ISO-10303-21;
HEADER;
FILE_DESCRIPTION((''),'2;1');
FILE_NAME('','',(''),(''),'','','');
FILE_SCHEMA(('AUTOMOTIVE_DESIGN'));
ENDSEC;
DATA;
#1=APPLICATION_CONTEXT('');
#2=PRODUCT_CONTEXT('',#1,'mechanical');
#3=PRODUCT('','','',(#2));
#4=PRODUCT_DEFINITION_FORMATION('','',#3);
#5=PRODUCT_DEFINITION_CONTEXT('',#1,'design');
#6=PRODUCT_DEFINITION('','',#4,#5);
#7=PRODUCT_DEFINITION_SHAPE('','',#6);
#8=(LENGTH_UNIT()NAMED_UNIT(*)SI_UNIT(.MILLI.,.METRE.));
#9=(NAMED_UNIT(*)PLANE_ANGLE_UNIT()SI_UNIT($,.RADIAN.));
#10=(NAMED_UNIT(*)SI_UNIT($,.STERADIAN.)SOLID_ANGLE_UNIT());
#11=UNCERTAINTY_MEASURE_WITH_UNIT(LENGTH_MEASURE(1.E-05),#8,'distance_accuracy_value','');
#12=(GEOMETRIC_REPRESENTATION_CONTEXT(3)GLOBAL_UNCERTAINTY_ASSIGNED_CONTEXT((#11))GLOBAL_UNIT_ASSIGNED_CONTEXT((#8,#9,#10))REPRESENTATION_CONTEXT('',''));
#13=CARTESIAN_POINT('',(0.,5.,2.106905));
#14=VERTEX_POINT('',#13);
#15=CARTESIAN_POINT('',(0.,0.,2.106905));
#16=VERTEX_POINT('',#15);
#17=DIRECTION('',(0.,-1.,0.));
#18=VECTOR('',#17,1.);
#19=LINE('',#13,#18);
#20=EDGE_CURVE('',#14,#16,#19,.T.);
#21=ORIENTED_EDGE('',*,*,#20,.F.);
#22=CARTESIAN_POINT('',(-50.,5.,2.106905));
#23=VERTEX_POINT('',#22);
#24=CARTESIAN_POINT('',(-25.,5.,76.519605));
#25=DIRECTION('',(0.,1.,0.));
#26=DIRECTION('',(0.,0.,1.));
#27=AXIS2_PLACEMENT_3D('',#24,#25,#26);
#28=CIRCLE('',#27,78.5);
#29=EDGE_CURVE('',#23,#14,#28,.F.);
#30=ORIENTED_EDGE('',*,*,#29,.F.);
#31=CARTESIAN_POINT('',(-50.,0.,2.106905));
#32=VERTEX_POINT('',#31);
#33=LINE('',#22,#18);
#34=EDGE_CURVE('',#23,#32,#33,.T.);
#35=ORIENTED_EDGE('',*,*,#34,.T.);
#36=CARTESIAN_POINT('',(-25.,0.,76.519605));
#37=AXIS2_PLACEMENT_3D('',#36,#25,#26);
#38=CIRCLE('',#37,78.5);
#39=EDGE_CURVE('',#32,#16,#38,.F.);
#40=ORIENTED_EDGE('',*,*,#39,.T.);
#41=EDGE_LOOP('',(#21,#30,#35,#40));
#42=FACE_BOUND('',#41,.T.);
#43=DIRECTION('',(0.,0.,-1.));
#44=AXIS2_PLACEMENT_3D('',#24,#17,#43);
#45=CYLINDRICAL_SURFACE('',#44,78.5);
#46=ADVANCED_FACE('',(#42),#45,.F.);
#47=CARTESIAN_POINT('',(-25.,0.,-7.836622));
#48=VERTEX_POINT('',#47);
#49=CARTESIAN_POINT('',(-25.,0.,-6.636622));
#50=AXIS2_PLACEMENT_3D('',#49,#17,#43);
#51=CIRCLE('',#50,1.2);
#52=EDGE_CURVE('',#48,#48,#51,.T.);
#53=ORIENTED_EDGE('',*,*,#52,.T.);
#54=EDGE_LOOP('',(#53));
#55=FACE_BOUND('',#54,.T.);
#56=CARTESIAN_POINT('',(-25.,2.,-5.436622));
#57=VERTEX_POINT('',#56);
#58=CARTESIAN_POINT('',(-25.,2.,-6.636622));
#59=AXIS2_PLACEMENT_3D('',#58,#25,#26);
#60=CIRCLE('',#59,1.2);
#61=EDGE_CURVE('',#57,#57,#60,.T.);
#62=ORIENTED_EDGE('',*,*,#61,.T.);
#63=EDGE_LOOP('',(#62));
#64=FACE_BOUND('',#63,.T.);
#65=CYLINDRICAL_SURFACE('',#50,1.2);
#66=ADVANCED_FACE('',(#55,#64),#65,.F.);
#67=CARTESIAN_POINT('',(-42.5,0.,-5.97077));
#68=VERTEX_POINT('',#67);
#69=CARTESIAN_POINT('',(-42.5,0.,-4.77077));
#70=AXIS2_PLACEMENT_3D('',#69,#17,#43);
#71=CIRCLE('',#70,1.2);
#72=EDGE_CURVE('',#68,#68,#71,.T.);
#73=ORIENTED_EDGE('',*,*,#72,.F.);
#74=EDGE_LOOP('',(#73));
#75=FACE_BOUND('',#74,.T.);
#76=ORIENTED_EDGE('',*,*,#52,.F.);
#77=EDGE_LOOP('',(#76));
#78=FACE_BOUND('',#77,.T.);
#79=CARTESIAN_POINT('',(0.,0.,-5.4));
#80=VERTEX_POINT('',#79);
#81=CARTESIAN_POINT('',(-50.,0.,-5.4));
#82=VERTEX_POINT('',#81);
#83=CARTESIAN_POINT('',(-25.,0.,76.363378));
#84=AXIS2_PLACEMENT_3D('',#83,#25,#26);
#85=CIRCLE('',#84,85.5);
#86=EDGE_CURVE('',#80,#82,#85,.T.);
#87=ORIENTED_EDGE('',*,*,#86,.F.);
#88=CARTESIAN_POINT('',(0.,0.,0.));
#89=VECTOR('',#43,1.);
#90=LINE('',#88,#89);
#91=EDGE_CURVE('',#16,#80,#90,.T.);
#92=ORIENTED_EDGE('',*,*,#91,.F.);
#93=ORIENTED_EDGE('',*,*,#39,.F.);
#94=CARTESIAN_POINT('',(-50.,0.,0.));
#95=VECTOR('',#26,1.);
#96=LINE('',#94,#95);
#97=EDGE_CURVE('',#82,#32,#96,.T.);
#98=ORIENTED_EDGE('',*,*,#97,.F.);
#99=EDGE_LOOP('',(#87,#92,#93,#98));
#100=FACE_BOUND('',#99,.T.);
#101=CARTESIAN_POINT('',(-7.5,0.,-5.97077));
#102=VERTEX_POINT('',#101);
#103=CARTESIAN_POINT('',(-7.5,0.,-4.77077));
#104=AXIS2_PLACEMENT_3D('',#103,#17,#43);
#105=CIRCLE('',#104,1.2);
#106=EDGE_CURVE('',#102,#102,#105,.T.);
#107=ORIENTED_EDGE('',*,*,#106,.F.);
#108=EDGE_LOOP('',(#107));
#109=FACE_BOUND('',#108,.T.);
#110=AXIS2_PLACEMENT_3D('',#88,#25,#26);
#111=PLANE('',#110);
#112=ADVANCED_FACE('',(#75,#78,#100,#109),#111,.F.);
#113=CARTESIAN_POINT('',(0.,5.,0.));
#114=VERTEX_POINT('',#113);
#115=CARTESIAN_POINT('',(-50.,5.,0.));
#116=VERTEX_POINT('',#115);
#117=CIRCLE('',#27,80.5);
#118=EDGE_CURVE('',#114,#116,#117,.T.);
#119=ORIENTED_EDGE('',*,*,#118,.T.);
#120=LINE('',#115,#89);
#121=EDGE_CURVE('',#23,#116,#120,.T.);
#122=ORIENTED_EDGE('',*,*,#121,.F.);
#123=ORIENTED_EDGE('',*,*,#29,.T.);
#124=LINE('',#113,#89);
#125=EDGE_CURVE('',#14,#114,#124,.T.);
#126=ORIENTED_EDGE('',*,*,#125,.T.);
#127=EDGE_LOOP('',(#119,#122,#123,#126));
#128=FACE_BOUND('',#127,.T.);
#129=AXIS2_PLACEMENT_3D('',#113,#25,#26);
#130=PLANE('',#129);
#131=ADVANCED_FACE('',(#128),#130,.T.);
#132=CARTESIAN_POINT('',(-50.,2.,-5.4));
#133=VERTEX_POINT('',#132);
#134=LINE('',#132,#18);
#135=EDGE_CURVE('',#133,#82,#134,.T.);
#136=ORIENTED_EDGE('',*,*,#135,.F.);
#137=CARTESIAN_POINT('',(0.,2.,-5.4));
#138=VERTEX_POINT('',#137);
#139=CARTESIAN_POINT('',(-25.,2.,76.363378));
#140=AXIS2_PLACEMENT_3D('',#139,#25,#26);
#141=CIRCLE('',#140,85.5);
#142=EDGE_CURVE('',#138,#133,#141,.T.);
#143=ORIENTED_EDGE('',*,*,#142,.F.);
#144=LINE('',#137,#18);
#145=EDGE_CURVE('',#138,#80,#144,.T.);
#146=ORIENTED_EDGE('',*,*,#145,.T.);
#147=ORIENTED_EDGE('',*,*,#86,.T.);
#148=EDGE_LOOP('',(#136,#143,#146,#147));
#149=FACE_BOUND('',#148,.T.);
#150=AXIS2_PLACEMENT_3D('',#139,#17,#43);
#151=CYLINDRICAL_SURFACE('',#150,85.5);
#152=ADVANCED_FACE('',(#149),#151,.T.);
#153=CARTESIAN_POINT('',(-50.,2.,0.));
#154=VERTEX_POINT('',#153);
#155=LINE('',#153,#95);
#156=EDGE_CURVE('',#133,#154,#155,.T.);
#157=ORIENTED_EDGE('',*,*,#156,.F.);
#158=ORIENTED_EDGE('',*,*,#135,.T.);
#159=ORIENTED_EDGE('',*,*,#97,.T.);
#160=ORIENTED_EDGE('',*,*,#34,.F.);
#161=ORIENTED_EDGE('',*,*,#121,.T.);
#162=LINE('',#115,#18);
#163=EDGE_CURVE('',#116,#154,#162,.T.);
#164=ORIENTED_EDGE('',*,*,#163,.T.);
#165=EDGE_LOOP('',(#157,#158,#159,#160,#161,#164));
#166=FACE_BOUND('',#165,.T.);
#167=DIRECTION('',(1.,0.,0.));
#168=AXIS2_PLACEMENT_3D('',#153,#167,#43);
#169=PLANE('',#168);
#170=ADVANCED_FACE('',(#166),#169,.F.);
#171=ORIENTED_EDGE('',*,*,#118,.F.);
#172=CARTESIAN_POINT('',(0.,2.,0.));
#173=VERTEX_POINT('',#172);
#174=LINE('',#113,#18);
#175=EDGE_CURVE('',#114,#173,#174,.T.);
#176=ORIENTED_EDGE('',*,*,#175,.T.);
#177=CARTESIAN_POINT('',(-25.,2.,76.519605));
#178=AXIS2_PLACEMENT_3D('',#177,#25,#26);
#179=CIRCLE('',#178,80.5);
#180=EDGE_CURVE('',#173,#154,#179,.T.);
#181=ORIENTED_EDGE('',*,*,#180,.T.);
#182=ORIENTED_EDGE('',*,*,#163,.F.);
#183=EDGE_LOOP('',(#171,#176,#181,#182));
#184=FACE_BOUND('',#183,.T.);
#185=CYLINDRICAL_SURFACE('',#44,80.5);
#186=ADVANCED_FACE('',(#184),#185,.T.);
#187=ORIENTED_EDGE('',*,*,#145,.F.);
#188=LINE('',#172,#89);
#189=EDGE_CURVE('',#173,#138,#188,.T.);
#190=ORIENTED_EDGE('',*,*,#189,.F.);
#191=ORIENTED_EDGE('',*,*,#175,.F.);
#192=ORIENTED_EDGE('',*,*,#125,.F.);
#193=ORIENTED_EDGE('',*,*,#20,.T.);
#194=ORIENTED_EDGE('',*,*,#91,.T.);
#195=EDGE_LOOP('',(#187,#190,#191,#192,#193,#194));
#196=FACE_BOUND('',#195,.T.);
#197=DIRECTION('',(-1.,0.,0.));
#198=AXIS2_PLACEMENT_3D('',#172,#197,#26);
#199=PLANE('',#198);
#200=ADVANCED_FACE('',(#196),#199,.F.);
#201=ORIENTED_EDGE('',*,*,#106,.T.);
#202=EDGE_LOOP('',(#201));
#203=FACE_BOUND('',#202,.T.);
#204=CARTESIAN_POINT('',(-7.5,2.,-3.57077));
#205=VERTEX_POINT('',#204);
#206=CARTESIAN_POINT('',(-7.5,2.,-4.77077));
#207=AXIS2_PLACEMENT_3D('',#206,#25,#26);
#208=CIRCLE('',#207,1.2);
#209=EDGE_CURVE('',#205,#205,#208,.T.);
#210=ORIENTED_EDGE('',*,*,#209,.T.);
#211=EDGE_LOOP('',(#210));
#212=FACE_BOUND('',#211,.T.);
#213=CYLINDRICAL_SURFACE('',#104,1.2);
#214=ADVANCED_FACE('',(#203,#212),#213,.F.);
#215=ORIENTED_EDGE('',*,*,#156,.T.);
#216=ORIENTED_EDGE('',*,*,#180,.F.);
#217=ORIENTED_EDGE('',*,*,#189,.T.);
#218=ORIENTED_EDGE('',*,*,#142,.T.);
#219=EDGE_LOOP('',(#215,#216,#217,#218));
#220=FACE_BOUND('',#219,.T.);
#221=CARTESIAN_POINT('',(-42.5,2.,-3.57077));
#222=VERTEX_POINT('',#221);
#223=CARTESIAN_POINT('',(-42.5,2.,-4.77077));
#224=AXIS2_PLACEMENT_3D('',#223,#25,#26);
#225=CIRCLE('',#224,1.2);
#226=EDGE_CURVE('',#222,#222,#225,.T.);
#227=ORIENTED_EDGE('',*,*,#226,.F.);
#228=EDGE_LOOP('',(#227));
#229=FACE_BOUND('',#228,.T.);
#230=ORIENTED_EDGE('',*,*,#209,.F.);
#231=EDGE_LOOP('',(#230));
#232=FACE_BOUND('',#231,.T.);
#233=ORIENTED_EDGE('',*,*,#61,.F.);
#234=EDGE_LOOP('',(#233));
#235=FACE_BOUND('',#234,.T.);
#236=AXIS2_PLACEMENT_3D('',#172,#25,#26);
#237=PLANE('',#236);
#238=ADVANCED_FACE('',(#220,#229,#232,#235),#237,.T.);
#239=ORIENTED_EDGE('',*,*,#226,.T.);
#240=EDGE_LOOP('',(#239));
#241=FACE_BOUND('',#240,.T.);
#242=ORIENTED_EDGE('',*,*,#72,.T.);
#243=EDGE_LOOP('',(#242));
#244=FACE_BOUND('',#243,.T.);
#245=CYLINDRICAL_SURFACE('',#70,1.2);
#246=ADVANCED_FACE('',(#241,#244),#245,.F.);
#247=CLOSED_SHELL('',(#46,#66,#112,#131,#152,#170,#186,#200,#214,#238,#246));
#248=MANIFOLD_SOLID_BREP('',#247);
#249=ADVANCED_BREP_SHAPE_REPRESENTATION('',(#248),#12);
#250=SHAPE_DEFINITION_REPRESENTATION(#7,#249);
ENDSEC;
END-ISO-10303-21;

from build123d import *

# Parameters (mm, degrees)
EXTRUDE_1_DEPTH   = 2
EXTRUDE_2_DEPTH   = 5
HOLE_WIZARD_M21_D = 2.4


with BuildPart() as part:
    # Эскиз1 → Бобышка-Вытянуть1 (new body)
    with BuildSketch(Plane(origin=(0, 0, 0), x_dir=(1, 0, 0), z_dir=(0, 1, 0))):
        with BuildLine():
            ThreePointArc((0, 0), (-25, 3.980394669), (-50, 0))
            Line((-50, 0), (-50, 5.4))
            ThreePointArc((-50, 5.4), (-25, 9.13662189), (0, 5.4))
            Line((0, 5.4), (0, 0))
        make_face()
    extrude(amount=EXTRUDE_1_DEPTH)

    # Эскиз1<3> → Бобышка-Вытянуть2 (add)
    with BuildSketch(Plane(origin=(0, 0, 0), x_dir=(1, 0, 0), z_dir=(0, 1, 0))):
        with BuildLine():
            Line((-50, -2.106904802), (-50, 0))
            ThreePointArc((-50, 0), (-25, 3.980394669), (0, 0))
            Line((0, 0), (0, -2.106904802))
            ThreePointArc((0, -2.106904802), (-25, 1.980394669), (-50, -2.106904802))
        make_face()
    extrude(amount=EXTRUDE_2_DEPTH)

    # Отверстие с зазором M21 (through all)
    with Locations(Plane(origin=(0, 0, 0), x_dir=(-1, 0, 0), z_dir=(0, -1, 0))):
        with Locations((42.5, 4.770770064), (25, 6.63662189), (7.5, 4.770770064)):
            Hole(HOLE_WIZARD_M21_D / 2)


solid = part.part
